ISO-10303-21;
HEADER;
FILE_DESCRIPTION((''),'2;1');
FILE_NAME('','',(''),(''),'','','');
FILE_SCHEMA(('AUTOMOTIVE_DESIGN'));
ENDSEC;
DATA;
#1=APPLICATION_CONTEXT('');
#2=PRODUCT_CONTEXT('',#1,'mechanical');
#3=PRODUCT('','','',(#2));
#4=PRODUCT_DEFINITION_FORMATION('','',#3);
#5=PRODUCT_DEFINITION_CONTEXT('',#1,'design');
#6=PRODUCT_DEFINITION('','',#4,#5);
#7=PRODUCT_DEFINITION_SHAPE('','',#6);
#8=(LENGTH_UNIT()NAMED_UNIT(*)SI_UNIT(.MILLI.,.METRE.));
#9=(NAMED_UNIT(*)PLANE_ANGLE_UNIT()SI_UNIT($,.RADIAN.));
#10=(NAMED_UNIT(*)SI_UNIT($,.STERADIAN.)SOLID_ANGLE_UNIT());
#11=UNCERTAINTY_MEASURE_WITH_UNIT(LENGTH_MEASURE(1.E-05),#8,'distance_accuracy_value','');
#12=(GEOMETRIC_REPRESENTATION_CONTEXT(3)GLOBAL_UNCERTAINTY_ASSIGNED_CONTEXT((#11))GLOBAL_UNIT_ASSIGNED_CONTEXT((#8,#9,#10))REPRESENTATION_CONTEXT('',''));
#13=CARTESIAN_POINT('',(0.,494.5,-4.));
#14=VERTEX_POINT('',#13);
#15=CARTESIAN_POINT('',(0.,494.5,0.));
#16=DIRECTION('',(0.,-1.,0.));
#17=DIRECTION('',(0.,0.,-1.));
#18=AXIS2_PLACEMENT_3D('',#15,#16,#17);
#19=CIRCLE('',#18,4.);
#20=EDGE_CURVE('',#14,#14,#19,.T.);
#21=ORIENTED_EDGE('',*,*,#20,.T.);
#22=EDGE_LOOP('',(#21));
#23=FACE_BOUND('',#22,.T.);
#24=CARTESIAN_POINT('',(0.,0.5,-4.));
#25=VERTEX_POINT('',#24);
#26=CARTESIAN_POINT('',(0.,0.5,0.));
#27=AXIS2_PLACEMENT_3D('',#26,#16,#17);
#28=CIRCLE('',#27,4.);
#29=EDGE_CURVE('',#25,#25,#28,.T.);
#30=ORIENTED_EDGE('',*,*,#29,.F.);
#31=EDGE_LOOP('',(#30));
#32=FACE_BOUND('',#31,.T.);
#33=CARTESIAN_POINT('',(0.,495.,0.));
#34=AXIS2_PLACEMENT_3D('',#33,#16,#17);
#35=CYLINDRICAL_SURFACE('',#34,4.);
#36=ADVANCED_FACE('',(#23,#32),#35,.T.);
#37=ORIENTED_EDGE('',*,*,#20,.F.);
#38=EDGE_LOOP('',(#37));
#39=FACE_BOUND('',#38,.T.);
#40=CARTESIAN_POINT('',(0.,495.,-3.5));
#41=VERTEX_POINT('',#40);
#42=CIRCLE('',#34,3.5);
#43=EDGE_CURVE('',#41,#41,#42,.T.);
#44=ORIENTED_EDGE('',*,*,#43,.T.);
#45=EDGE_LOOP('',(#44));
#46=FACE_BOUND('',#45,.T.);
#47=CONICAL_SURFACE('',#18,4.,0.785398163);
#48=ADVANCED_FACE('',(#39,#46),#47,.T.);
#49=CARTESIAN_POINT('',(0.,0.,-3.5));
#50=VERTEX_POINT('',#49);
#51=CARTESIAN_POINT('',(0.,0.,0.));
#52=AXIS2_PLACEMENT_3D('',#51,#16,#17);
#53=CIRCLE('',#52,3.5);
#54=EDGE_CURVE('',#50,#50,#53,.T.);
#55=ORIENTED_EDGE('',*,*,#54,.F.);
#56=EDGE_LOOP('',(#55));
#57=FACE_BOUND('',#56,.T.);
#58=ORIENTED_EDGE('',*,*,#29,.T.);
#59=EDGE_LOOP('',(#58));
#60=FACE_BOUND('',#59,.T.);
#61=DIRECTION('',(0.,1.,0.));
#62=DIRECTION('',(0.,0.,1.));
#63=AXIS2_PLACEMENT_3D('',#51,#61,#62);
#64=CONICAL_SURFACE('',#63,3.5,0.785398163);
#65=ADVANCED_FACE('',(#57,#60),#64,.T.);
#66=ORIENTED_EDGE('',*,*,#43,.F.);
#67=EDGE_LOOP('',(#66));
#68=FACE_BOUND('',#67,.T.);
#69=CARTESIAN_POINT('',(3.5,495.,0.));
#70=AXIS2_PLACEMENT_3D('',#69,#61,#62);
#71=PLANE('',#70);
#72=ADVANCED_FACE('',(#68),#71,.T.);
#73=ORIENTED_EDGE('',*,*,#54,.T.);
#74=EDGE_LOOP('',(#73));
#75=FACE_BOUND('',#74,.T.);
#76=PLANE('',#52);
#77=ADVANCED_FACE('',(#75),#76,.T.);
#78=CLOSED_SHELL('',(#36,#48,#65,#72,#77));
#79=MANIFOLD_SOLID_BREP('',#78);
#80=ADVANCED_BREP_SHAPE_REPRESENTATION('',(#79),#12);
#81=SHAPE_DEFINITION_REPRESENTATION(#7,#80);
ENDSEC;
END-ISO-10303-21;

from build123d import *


with BuildPart() as part:
    # Sketch1 → Revolve1 (revolve)
    with BuildSketch(Plane.XY, mode=Mode.PRIVATE) as revolve1_sk:
        Polygon((3.5, 495), (0, 495), (0, 0), (3.5, 0), (4, 0.5), (4, 494.5), align=None)
    revolve(revolve1_sk.sketch.rotate(Axis((0, 495, 0), (0, -1, 0)), 270), axis=Axis((0, 495, 0), (0, -1, 0)))


solid = part.part
